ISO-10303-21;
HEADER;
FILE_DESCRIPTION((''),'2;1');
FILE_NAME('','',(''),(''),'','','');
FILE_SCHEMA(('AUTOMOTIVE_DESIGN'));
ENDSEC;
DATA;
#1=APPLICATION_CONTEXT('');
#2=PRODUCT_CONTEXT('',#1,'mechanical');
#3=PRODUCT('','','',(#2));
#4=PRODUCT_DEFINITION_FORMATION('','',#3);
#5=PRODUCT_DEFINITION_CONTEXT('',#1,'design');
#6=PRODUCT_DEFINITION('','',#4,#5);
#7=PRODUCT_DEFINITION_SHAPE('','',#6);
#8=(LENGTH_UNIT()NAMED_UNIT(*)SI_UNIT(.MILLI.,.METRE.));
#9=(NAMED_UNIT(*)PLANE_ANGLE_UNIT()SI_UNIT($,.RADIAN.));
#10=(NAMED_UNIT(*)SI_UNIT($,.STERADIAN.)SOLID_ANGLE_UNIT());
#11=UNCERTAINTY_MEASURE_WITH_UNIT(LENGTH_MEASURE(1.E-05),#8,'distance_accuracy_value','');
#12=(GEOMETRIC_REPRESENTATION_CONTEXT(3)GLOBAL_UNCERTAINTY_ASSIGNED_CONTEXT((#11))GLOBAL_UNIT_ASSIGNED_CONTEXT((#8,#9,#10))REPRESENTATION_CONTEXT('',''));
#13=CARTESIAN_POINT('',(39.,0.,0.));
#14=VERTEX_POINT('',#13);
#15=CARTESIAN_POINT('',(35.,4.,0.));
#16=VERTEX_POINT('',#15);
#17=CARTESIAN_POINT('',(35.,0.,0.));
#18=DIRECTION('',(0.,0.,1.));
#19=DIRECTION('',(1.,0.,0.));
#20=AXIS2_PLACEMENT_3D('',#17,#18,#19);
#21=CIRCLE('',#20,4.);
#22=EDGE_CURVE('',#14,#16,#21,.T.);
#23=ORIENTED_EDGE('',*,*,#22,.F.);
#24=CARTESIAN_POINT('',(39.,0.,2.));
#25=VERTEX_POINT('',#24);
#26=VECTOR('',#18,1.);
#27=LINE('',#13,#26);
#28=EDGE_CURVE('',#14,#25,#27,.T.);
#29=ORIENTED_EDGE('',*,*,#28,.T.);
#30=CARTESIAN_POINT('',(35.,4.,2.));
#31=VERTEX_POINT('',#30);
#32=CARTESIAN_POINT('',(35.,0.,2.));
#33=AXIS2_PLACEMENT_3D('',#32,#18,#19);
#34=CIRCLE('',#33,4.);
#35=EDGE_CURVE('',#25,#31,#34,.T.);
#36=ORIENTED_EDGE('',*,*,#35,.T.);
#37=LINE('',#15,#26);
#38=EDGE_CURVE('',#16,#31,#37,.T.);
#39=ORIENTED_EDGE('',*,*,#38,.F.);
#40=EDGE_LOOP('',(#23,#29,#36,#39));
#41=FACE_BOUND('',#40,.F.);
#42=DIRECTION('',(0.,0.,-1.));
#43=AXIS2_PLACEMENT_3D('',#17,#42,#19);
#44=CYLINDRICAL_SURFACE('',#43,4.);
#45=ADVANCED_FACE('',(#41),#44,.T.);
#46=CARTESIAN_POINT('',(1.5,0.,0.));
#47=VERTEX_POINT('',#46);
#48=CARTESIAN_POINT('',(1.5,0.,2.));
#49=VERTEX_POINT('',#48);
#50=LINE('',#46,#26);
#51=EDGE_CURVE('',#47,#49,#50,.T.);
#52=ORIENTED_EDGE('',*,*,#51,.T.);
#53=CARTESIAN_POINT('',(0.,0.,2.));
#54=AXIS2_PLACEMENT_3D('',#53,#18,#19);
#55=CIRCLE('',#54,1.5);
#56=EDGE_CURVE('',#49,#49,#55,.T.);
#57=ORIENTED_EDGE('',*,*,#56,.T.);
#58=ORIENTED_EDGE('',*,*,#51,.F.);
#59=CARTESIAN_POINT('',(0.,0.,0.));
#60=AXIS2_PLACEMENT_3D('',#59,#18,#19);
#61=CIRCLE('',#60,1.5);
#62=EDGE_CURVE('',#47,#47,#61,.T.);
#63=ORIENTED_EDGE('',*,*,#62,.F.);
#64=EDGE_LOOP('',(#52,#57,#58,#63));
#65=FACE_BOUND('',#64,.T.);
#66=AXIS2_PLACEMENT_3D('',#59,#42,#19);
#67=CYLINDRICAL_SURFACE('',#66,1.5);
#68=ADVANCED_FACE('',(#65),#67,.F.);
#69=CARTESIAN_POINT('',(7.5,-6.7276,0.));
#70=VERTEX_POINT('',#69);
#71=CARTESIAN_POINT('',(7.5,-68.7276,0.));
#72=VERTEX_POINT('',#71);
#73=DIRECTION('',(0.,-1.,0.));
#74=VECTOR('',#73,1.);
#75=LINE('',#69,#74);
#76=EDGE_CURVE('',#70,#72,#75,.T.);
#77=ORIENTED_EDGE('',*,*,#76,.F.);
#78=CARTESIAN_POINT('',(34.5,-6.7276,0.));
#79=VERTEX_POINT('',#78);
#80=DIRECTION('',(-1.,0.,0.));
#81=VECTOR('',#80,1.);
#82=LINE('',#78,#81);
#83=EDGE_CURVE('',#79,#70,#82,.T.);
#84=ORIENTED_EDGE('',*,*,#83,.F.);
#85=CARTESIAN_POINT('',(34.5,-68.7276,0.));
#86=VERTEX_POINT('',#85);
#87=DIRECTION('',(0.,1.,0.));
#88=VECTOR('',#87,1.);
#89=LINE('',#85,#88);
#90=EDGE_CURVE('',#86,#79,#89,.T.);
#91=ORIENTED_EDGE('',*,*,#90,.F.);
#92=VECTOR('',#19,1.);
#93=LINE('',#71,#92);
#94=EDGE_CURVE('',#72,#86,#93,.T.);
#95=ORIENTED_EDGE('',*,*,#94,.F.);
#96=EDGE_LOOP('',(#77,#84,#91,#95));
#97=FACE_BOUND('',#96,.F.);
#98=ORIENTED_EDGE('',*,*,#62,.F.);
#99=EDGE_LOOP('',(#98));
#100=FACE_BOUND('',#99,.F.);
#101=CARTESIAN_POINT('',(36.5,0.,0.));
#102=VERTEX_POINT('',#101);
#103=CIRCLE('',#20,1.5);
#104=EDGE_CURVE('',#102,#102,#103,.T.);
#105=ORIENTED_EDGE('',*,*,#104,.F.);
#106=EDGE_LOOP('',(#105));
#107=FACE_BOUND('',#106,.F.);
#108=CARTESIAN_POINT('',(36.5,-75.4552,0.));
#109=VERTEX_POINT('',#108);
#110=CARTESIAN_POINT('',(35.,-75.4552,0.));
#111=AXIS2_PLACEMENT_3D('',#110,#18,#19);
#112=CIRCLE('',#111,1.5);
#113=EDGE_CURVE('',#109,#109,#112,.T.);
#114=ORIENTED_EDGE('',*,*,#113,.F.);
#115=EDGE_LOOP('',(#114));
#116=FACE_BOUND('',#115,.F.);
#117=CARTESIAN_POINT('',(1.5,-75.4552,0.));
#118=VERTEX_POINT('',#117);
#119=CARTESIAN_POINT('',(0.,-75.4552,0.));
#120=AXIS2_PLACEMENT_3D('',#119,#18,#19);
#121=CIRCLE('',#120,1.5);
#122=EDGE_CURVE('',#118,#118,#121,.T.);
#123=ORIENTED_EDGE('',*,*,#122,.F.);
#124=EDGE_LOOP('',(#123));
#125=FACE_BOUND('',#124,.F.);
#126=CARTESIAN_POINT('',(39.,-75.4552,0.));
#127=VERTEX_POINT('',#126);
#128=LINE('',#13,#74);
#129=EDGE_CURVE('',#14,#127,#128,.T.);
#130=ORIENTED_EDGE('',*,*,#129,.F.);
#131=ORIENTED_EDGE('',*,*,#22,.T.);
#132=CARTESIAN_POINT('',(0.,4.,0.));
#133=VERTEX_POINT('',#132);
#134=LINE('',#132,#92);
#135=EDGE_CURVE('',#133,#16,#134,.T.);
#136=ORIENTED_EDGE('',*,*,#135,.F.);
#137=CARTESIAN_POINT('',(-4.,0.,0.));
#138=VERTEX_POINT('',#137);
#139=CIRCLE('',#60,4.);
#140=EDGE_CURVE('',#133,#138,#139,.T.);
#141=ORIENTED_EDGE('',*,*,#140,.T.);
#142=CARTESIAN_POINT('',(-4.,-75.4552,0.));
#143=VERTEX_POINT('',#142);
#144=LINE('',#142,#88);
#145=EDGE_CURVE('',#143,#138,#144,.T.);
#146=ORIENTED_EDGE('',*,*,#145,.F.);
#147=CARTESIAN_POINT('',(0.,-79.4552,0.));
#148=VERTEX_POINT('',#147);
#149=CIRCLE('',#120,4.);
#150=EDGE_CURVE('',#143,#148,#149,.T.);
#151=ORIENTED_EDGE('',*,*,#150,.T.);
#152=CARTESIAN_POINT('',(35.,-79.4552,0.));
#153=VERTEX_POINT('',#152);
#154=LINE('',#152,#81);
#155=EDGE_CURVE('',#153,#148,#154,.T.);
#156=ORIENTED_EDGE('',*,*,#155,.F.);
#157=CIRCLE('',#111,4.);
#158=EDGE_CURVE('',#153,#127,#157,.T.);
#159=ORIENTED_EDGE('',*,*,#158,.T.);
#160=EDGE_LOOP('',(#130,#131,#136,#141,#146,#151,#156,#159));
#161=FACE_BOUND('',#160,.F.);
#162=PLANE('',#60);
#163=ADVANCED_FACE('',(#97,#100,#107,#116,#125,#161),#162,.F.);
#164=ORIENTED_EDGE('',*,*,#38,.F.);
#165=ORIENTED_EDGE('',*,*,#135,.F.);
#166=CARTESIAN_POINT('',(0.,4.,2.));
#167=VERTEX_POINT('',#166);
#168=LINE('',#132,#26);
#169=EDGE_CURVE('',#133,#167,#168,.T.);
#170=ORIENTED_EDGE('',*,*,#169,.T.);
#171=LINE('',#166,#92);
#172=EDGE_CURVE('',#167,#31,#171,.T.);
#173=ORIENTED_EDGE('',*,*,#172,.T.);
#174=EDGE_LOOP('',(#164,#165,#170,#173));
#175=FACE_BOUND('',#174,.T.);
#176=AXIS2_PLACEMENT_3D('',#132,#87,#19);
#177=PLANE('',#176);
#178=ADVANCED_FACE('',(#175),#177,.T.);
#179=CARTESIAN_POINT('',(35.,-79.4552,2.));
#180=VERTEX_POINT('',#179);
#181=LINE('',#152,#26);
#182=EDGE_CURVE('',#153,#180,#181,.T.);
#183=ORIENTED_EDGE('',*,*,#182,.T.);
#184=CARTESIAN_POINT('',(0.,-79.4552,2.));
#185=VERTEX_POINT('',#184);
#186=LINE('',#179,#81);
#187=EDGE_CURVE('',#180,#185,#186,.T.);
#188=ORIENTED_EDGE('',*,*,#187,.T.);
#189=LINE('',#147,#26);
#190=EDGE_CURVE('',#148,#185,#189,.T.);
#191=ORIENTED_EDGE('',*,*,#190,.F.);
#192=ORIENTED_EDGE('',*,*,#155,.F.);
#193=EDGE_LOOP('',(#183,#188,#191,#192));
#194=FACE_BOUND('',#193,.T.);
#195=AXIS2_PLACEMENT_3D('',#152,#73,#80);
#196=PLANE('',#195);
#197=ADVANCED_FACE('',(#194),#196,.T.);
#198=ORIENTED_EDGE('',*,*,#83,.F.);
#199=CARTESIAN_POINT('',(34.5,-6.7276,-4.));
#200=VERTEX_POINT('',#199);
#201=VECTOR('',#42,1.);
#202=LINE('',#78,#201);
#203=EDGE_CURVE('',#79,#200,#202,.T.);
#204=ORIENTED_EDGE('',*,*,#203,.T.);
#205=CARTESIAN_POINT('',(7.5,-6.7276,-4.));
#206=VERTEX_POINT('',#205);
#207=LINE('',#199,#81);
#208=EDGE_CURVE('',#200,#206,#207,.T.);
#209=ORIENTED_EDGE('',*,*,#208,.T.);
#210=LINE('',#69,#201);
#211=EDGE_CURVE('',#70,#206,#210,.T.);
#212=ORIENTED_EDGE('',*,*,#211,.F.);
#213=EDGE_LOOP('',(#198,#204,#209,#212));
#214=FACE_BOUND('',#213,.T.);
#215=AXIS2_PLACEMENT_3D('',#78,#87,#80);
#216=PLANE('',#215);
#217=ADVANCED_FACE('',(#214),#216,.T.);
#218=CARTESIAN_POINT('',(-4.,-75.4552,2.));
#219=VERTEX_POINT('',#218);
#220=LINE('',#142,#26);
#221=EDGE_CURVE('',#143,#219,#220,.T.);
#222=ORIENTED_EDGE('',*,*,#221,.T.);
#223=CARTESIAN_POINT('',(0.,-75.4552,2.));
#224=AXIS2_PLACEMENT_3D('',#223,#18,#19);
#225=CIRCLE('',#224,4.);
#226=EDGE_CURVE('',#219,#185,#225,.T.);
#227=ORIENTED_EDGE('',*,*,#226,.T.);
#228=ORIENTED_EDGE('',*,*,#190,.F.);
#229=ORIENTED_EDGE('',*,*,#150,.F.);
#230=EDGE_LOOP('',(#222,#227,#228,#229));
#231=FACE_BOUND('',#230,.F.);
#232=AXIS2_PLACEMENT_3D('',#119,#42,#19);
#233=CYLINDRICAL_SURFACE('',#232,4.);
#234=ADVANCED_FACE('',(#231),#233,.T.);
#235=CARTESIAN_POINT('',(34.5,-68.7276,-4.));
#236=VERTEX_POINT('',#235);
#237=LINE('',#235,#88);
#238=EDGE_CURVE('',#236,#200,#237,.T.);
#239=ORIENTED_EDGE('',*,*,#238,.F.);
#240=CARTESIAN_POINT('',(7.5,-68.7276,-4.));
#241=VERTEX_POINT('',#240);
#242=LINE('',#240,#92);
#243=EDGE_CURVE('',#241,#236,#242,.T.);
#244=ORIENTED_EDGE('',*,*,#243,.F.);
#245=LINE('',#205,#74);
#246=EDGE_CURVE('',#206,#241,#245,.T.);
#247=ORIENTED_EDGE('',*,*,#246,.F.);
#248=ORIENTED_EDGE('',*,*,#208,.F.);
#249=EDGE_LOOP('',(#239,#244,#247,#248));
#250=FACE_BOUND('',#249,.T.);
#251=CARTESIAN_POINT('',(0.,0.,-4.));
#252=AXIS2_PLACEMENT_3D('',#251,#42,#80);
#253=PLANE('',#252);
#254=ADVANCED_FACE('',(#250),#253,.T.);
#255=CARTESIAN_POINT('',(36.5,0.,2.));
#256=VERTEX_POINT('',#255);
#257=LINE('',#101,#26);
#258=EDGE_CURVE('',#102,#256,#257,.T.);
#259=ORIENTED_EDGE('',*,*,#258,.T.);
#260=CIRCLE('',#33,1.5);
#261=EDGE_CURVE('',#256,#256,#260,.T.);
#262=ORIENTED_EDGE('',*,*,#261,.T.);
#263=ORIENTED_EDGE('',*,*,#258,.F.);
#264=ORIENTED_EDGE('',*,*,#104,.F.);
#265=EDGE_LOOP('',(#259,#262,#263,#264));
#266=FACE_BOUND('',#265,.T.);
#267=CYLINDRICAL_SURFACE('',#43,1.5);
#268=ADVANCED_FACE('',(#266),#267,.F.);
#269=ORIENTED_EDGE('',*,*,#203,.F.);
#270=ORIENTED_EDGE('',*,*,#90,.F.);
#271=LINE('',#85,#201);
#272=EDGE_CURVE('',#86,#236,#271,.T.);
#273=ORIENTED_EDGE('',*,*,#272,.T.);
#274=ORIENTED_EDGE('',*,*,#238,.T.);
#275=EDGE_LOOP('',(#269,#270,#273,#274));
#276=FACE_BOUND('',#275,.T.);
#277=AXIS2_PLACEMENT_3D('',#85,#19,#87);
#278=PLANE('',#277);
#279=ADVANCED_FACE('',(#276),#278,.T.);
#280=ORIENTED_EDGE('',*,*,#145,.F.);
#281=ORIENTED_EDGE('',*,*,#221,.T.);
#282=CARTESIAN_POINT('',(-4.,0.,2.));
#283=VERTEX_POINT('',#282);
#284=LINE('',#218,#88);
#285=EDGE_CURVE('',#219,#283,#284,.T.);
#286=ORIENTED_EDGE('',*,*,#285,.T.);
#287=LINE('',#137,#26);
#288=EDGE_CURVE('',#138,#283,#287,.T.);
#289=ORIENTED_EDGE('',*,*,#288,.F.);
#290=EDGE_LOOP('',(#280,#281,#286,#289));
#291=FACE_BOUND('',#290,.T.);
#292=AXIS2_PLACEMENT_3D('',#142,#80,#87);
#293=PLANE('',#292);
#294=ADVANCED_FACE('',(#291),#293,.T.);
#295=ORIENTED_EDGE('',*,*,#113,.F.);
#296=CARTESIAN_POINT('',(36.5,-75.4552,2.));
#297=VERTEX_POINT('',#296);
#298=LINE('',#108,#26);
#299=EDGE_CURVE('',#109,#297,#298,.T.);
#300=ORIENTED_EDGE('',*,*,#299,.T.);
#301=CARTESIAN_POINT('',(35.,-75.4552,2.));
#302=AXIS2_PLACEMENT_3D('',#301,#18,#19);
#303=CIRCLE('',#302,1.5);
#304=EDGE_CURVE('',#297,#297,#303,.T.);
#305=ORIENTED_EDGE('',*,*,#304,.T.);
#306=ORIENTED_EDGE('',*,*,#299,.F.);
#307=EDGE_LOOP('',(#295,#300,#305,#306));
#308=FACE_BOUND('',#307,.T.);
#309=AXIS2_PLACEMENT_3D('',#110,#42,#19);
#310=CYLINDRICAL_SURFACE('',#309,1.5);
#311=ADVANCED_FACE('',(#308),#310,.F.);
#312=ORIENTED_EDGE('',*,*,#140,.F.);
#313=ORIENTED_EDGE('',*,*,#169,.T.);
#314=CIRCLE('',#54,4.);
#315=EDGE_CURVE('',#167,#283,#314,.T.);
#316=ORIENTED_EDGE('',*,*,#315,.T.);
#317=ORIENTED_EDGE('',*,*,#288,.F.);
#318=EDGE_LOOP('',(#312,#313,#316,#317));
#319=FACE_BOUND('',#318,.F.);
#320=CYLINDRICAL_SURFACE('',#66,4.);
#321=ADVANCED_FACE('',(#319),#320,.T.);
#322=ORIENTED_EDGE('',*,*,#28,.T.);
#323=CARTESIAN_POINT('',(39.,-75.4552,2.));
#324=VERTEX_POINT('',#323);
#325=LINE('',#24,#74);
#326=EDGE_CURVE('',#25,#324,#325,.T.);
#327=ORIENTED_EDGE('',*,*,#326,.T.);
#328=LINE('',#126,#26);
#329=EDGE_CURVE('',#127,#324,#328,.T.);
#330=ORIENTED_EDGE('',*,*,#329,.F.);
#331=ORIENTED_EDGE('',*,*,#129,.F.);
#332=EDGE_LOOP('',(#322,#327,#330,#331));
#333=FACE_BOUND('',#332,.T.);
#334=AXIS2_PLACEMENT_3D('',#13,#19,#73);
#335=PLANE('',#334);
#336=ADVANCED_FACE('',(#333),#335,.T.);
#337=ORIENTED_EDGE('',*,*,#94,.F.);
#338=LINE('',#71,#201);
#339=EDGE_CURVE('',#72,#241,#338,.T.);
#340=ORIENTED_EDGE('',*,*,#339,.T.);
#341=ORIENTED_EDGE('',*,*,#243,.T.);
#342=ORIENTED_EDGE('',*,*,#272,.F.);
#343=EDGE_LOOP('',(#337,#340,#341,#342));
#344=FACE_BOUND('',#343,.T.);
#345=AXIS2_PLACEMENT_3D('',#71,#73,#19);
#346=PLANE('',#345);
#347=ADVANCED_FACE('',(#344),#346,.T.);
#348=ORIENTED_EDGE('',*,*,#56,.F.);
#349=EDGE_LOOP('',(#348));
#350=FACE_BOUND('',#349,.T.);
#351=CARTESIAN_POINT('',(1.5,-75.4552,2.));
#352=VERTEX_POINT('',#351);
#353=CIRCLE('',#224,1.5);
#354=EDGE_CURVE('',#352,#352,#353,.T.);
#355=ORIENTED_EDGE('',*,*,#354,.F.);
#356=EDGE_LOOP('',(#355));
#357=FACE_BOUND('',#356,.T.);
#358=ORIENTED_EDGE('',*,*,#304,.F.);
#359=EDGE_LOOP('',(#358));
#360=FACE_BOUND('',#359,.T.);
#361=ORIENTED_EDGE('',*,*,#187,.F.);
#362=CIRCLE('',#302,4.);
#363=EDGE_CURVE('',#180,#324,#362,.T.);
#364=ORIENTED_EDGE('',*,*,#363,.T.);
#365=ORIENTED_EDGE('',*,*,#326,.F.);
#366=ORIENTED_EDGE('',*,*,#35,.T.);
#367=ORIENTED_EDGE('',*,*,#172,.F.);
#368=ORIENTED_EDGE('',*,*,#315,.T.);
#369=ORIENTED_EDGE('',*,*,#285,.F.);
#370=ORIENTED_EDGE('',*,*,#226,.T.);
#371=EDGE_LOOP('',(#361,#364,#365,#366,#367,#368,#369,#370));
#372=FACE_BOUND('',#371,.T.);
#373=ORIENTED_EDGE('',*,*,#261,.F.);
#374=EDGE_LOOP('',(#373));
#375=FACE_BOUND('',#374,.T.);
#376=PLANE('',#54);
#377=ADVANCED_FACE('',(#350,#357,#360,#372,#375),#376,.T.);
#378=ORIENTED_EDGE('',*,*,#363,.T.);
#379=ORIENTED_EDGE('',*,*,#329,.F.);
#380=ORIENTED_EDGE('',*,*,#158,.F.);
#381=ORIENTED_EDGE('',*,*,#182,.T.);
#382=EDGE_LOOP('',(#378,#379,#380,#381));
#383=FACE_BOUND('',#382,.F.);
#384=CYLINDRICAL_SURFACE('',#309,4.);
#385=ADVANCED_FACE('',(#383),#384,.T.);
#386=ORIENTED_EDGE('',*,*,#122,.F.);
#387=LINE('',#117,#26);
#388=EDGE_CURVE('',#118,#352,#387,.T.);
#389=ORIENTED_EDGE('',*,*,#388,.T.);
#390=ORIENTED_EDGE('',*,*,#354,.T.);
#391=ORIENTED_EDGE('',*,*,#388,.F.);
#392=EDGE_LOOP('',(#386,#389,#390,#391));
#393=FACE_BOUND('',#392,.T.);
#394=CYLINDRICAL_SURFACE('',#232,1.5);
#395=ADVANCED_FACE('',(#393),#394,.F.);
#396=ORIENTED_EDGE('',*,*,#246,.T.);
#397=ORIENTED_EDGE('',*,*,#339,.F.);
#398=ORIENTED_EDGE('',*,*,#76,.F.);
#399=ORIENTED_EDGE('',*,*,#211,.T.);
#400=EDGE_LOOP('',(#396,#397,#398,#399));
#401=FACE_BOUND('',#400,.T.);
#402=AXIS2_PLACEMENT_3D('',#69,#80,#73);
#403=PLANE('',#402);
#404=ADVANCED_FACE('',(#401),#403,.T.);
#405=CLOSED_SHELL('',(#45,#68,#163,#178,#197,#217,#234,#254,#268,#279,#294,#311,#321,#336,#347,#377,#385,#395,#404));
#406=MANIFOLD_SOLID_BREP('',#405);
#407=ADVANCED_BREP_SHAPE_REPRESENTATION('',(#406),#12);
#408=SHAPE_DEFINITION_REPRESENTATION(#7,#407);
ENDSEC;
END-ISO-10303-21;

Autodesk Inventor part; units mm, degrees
ref_plane "YZ Plane" through (0, 0, 0) normal (1, 0, 0) x (0, 1, 0)
ref_plane "XZ Plane" through (0, 0, 0) normal (0, 1, 0) x (-1, 0, 0)
ref_plane "XY Plane" through (0, 0, 0) normal (0, 0, 1) x (1, 0, 0)
sketch "Sketch1" plane through (0, 0, 0) normal (0, 0, 1) x (1, 0, 0)
  circle A0 centre (0, 0) radius 4
  circle A1 centre (35, 0) radius 1.5 projected
  circle A2 centre (35, -75.4552) radius 1.5 projected
  circle A3 centre (0, -75.4552) radius 1.5 projected
  circle A4 centre (35, 0) radius 4
  circle A5 centre (0, -75.4552) radius 4
  circle A6 centre (35, -75.4552) radius 4
  circle A7 centre (0, 0) radius 1.5
  line L0 (0, 4) -> (35, 4)
  line L1 (39, 0) -> (39, -75.4552)
  line L2 (35, -79.4552) -> (0, -79.4552)
  line L3 (-4, -75.4552) -> (-4, 0)
  dimension "d0" = 8
  dimension "d1" = 8
  dimension "d2" = 8
  dimension "d3" = 8
  dimension "d4" = 3
extrude "Extrusion1" add sketch "Sketch1" along normal blind 2
sketch "Sketch2" plane through (0, 0, 0) normal (0, 0, -1) x (-1, 0, 0)
  line L0 (-35, 4) -> (0, 4) projected
  line L1 (4, 0) -> (4, -75.4552) projected
  line L2 (4, -37.7276) -> (-25.3543, -37.7276)
  line L3 (-34.5, -6.7276) -> (-7.5, -6.7276)
  line L4 (-7.5, -6.7276) -> (-7.5, -68.7276)
  line L5 (-7.5, -68.7276) -> (-34.5, -68.7276)
  line L6 (-34.5, -68.7276) -> (-34.5, -6.7276)
  line L7 (-34.5, -6.7276) -> (-7.5, -68.7276) construction
  line L8 (-7.5, -6.7276) -> (-34.5, -68.7276) construction
  line L9 (-39, -75.4552) -> (-39, 0) projected
  point P0 (0, 0)
  point P1 (-21, -37.7276)
  point P2 (-39, -37.7276)
  dimension "d7" = 27
  dimension "d8" = 62
  dimension "d12" = 18
extrude "Extrusion2" add sketch "Sketch2" along normal blind 4
properties part number "esp_plate"
